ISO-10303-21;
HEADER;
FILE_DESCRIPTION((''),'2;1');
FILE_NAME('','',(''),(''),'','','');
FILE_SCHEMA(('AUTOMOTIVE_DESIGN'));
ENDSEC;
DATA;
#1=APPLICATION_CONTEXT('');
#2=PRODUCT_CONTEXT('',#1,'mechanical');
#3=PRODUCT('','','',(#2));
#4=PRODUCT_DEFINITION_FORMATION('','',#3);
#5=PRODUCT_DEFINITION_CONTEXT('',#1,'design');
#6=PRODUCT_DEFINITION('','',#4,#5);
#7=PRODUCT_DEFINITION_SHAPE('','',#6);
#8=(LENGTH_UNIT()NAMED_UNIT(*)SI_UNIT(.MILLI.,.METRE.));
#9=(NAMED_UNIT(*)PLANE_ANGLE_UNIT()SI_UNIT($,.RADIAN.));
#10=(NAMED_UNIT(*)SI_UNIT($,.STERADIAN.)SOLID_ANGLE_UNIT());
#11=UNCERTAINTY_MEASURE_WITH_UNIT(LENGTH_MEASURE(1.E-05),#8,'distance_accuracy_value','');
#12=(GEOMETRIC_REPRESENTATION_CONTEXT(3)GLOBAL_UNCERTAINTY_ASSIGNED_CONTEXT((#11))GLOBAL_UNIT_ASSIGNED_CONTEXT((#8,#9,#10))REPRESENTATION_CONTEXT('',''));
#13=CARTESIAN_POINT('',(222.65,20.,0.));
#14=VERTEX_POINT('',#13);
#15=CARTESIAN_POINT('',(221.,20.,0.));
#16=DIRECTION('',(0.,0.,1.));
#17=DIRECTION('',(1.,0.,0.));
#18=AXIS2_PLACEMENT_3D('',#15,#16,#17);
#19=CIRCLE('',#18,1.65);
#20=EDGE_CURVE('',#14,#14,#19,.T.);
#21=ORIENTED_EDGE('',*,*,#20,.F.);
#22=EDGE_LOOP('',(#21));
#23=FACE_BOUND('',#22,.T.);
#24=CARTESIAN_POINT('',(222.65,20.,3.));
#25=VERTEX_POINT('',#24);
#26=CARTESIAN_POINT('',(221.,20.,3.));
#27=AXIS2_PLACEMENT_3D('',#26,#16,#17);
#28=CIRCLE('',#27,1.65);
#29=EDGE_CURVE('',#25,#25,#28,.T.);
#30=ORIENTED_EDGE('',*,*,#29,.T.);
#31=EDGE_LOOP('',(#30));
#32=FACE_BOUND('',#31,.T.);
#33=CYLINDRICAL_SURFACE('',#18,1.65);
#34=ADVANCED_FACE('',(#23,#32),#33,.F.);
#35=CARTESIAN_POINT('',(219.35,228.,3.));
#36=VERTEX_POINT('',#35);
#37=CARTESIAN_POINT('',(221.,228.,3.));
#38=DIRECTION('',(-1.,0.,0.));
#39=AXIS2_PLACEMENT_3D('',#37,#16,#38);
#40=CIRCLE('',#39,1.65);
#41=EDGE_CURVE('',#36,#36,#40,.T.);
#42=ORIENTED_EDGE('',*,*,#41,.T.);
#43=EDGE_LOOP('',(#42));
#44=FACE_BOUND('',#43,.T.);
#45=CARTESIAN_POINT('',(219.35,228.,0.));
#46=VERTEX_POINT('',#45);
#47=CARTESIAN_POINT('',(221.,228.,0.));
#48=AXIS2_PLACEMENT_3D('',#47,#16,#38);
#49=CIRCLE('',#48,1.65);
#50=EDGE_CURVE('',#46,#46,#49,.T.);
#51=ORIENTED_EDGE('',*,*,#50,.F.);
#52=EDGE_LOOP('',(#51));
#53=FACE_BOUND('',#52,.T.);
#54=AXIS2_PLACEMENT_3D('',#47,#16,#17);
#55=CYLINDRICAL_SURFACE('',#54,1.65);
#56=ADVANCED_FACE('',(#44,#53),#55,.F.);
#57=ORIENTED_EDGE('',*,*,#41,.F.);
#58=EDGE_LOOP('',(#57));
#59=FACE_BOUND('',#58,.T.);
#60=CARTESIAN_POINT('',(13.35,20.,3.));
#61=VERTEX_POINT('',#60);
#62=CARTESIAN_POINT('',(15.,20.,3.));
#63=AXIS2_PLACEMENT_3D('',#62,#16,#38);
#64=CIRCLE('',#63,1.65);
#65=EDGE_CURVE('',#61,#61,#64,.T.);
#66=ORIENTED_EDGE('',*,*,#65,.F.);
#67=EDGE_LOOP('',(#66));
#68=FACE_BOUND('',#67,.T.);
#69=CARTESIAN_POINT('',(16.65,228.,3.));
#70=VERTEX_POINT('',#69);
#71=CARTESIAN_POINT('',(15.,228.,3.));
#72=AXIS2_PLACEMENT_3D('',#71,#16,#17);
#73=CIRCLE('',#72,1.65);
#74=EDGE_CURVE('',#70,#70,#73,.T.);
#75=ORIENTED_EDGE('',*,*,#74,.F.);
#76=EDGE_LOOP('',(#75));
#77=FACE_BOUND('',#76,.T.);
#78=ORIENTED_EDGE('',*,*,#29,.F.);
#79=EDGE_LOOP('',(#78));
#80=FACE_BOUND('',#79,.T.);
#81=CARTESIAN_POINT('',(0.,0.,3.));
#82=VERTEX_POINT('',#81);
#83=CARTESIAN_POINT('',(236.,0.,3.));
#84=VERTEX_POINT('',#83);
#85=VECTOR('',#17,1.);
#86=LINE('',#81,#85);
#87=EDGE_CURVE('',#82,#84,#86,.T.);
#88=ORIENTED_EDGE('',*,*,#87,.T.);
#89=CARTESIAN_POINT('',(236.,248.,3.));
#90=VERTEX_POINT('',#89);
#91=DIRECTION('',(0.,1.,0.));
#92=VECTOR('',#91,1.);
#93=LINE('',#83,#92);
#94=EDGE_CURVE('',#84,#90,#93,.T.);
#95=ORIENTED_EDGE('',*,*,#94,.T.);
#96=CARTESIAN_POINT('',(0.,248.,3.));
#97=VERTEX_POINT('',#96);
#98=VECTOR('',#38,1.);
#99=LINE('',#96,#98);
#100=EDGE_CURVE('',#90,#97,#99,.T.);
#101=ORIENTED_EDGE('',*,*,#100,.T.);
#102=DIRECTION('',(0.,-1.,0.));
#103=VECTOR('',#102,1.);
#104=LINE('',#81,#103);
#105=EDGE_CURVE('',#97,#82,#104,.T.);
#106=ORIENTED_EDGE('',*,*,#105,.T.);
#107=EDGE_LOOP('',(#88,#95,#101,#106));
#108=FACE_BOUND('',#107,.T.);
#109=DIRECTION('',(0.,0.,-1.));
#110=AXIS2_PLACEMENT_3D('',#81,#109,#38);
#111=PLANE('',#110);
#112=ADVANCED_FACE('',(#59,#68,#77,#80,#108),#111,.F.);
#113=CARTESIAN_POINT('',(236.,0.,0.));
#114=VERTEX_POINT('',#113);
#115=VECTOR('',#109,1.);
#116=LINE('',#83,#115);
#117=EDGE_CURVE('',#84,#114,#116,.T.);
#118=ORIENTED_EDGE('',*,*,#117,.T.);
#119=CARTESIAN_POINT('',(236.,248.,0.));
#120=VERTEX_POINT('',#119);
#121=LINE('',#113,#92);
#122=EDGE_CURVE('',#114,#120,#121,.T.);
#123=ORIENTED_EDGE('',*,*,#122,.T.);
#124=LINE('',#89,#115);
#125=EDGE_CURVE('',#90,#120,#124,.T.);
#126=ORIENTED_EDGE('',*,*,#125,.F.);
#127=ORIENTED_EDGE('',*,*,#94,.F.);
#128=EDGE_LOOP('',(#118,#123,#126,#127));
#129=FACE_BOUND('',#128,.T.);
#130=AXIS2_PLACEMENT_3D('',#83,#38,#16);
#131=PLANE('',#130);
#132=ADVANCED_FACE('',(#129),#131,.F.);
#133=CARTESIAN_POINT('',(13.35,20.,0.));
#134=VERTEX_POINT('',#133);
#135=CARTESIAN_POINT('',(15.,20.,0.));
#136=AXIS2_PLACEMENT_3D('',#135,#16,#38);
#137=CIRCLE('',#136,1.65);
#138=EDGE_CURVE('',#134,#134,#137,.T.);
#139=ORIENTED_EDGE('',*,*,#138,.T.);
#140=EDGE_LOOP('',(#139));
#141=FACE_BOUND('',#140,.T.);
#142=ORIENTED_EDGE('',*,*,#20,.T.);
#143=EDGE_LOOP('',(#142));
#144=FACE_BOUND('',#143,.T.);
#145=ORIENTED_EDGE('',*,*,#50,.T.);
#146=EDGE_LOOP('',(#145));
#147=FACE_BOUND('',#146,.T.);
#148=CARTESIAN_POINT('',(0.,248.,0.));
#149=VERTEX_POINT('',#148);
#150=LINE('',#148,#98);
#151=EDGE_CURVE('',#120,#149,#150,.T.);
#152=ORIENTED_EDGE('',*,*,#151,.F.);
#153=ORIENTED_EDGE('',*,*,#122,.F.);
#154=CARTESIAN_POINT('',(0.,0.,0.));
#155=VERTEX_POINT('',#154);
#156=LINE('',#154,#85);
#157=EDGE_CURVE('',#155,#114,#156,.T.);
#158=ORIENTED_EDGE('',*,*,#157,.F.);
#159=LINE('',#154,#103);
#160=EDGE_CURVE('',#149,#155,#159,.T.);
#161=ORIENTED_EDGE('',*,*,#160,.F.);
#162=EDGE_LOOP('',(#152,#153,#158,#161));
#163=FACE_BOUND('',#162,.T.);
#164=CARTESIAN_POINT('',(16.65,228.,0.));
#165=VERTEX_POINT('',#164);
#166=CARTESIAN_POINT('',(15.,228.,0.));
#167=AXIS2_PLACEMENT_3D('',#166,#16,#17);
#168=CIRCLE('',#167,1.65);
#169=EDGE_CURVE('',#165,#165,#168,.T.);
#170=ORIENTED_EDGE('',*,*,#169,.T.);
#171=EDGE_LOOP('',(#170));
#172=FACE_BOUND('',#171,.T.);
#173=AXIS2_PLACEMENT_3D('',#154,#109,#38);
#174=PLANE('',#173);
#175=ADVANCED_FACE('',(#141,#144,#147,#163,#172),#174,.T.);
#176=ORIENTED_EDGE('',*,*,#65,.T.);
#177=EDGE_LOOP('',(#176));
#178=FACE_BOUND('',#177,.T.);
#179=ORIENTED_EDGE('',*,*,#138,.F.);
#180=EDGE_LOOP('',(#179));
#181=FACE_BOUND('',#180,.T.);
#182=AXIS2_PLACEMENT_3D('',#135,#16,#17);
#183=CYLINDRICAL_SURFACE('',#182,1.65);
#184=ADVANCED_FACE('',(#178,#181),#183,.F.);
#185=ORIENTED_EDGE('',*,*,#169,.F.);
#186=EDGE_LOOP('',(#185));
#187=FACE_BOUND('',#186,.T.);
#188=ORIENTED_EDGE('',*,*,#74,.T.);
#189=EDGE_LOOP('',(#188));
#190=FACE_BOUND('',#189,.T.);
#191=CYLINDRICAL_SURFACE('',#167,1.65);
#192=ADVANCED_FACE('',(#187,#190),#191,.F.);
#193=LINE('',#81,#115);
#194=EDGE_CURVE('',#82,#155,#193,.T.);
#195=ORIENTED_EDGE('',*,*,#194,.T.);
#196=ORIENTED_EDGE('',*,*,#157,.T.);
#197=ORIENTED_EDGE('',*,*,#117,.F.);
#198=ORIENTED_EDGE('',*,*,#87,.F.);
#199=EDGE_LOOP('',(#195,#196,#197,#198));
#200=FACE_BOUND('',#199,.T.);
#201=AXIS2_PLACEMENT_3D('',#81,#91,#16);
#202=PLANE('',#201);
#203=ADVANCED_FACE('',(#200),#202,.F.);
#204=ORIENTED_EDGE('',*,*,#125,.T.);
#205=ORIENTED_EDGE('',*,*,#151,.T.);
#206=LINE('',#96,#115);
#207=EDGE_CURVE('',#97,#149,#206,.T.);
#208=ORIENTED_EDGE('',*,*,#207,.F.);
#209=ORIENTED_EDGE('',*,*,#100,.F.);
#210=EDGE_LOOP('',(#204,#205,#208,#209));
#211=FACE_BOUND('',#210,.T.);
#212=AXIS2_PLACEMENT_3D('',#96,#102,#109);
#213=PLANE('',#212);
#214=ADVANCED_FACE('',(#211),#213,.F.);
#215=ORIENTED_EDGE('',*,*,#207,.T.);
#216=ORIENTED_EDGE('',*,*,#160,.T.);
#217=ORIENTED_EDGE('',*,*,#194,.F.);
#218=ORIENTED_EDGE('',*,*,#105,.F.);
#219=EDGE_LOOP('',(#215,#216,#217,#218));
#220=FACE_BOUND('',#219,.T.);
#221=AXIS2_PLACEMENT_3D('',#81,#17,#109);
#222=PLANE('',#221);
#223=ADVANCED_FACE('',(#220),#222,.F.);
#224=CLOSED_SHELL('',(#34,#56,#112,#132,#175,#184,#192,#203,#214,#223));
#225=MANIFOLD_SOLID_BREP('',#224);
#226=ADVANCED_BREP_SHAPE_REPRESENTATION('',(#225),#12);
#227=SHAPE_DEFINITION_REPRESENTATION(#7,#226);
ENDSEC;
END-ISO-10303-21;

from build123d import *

# Parameters (mm, degrees)
ESQUISSE1_W             = 236
ESQUISSE1_H             = 248
BOSS_EXTRU_1_DEPTH      = 3
ESQUISSE2_R             = 1.65
ENL_V_MAT_EXTRU_1_DEPTH = 4


with BuildPart() as part:
    # Esquisse1 → Boss.-Extru.1 (new body)
    with BuildSketch(Plane.XY):
        with Locations((118, 124)):
            Rectangle(ESQUISSE1_W, ESQUISSE1_H)
    extrude(amount=BOSS_EXTRU_1_DEPTH)

    # Esquisse2 → Enlèv. mat.-Extru.1 (cut, through all)
    with BuildSketch(Plane.XY.offset(3)):
        with Locations((15, 228)):
            Circle(ESQUISSE2_R)
        with Locations((221, 228)):
            Circle(ESQUISSE2_R)
        with Locations((221, 20)):
            Circle(ESQUISSE2_R)
        with Locations((15, 20)):
            Circle(ESQUISSE2_R)
    extrude(amount=-ENL_V_MAT_EXTRU_1_DEPTH, mode=Mode.SUBTRACT)


solid = part.part
